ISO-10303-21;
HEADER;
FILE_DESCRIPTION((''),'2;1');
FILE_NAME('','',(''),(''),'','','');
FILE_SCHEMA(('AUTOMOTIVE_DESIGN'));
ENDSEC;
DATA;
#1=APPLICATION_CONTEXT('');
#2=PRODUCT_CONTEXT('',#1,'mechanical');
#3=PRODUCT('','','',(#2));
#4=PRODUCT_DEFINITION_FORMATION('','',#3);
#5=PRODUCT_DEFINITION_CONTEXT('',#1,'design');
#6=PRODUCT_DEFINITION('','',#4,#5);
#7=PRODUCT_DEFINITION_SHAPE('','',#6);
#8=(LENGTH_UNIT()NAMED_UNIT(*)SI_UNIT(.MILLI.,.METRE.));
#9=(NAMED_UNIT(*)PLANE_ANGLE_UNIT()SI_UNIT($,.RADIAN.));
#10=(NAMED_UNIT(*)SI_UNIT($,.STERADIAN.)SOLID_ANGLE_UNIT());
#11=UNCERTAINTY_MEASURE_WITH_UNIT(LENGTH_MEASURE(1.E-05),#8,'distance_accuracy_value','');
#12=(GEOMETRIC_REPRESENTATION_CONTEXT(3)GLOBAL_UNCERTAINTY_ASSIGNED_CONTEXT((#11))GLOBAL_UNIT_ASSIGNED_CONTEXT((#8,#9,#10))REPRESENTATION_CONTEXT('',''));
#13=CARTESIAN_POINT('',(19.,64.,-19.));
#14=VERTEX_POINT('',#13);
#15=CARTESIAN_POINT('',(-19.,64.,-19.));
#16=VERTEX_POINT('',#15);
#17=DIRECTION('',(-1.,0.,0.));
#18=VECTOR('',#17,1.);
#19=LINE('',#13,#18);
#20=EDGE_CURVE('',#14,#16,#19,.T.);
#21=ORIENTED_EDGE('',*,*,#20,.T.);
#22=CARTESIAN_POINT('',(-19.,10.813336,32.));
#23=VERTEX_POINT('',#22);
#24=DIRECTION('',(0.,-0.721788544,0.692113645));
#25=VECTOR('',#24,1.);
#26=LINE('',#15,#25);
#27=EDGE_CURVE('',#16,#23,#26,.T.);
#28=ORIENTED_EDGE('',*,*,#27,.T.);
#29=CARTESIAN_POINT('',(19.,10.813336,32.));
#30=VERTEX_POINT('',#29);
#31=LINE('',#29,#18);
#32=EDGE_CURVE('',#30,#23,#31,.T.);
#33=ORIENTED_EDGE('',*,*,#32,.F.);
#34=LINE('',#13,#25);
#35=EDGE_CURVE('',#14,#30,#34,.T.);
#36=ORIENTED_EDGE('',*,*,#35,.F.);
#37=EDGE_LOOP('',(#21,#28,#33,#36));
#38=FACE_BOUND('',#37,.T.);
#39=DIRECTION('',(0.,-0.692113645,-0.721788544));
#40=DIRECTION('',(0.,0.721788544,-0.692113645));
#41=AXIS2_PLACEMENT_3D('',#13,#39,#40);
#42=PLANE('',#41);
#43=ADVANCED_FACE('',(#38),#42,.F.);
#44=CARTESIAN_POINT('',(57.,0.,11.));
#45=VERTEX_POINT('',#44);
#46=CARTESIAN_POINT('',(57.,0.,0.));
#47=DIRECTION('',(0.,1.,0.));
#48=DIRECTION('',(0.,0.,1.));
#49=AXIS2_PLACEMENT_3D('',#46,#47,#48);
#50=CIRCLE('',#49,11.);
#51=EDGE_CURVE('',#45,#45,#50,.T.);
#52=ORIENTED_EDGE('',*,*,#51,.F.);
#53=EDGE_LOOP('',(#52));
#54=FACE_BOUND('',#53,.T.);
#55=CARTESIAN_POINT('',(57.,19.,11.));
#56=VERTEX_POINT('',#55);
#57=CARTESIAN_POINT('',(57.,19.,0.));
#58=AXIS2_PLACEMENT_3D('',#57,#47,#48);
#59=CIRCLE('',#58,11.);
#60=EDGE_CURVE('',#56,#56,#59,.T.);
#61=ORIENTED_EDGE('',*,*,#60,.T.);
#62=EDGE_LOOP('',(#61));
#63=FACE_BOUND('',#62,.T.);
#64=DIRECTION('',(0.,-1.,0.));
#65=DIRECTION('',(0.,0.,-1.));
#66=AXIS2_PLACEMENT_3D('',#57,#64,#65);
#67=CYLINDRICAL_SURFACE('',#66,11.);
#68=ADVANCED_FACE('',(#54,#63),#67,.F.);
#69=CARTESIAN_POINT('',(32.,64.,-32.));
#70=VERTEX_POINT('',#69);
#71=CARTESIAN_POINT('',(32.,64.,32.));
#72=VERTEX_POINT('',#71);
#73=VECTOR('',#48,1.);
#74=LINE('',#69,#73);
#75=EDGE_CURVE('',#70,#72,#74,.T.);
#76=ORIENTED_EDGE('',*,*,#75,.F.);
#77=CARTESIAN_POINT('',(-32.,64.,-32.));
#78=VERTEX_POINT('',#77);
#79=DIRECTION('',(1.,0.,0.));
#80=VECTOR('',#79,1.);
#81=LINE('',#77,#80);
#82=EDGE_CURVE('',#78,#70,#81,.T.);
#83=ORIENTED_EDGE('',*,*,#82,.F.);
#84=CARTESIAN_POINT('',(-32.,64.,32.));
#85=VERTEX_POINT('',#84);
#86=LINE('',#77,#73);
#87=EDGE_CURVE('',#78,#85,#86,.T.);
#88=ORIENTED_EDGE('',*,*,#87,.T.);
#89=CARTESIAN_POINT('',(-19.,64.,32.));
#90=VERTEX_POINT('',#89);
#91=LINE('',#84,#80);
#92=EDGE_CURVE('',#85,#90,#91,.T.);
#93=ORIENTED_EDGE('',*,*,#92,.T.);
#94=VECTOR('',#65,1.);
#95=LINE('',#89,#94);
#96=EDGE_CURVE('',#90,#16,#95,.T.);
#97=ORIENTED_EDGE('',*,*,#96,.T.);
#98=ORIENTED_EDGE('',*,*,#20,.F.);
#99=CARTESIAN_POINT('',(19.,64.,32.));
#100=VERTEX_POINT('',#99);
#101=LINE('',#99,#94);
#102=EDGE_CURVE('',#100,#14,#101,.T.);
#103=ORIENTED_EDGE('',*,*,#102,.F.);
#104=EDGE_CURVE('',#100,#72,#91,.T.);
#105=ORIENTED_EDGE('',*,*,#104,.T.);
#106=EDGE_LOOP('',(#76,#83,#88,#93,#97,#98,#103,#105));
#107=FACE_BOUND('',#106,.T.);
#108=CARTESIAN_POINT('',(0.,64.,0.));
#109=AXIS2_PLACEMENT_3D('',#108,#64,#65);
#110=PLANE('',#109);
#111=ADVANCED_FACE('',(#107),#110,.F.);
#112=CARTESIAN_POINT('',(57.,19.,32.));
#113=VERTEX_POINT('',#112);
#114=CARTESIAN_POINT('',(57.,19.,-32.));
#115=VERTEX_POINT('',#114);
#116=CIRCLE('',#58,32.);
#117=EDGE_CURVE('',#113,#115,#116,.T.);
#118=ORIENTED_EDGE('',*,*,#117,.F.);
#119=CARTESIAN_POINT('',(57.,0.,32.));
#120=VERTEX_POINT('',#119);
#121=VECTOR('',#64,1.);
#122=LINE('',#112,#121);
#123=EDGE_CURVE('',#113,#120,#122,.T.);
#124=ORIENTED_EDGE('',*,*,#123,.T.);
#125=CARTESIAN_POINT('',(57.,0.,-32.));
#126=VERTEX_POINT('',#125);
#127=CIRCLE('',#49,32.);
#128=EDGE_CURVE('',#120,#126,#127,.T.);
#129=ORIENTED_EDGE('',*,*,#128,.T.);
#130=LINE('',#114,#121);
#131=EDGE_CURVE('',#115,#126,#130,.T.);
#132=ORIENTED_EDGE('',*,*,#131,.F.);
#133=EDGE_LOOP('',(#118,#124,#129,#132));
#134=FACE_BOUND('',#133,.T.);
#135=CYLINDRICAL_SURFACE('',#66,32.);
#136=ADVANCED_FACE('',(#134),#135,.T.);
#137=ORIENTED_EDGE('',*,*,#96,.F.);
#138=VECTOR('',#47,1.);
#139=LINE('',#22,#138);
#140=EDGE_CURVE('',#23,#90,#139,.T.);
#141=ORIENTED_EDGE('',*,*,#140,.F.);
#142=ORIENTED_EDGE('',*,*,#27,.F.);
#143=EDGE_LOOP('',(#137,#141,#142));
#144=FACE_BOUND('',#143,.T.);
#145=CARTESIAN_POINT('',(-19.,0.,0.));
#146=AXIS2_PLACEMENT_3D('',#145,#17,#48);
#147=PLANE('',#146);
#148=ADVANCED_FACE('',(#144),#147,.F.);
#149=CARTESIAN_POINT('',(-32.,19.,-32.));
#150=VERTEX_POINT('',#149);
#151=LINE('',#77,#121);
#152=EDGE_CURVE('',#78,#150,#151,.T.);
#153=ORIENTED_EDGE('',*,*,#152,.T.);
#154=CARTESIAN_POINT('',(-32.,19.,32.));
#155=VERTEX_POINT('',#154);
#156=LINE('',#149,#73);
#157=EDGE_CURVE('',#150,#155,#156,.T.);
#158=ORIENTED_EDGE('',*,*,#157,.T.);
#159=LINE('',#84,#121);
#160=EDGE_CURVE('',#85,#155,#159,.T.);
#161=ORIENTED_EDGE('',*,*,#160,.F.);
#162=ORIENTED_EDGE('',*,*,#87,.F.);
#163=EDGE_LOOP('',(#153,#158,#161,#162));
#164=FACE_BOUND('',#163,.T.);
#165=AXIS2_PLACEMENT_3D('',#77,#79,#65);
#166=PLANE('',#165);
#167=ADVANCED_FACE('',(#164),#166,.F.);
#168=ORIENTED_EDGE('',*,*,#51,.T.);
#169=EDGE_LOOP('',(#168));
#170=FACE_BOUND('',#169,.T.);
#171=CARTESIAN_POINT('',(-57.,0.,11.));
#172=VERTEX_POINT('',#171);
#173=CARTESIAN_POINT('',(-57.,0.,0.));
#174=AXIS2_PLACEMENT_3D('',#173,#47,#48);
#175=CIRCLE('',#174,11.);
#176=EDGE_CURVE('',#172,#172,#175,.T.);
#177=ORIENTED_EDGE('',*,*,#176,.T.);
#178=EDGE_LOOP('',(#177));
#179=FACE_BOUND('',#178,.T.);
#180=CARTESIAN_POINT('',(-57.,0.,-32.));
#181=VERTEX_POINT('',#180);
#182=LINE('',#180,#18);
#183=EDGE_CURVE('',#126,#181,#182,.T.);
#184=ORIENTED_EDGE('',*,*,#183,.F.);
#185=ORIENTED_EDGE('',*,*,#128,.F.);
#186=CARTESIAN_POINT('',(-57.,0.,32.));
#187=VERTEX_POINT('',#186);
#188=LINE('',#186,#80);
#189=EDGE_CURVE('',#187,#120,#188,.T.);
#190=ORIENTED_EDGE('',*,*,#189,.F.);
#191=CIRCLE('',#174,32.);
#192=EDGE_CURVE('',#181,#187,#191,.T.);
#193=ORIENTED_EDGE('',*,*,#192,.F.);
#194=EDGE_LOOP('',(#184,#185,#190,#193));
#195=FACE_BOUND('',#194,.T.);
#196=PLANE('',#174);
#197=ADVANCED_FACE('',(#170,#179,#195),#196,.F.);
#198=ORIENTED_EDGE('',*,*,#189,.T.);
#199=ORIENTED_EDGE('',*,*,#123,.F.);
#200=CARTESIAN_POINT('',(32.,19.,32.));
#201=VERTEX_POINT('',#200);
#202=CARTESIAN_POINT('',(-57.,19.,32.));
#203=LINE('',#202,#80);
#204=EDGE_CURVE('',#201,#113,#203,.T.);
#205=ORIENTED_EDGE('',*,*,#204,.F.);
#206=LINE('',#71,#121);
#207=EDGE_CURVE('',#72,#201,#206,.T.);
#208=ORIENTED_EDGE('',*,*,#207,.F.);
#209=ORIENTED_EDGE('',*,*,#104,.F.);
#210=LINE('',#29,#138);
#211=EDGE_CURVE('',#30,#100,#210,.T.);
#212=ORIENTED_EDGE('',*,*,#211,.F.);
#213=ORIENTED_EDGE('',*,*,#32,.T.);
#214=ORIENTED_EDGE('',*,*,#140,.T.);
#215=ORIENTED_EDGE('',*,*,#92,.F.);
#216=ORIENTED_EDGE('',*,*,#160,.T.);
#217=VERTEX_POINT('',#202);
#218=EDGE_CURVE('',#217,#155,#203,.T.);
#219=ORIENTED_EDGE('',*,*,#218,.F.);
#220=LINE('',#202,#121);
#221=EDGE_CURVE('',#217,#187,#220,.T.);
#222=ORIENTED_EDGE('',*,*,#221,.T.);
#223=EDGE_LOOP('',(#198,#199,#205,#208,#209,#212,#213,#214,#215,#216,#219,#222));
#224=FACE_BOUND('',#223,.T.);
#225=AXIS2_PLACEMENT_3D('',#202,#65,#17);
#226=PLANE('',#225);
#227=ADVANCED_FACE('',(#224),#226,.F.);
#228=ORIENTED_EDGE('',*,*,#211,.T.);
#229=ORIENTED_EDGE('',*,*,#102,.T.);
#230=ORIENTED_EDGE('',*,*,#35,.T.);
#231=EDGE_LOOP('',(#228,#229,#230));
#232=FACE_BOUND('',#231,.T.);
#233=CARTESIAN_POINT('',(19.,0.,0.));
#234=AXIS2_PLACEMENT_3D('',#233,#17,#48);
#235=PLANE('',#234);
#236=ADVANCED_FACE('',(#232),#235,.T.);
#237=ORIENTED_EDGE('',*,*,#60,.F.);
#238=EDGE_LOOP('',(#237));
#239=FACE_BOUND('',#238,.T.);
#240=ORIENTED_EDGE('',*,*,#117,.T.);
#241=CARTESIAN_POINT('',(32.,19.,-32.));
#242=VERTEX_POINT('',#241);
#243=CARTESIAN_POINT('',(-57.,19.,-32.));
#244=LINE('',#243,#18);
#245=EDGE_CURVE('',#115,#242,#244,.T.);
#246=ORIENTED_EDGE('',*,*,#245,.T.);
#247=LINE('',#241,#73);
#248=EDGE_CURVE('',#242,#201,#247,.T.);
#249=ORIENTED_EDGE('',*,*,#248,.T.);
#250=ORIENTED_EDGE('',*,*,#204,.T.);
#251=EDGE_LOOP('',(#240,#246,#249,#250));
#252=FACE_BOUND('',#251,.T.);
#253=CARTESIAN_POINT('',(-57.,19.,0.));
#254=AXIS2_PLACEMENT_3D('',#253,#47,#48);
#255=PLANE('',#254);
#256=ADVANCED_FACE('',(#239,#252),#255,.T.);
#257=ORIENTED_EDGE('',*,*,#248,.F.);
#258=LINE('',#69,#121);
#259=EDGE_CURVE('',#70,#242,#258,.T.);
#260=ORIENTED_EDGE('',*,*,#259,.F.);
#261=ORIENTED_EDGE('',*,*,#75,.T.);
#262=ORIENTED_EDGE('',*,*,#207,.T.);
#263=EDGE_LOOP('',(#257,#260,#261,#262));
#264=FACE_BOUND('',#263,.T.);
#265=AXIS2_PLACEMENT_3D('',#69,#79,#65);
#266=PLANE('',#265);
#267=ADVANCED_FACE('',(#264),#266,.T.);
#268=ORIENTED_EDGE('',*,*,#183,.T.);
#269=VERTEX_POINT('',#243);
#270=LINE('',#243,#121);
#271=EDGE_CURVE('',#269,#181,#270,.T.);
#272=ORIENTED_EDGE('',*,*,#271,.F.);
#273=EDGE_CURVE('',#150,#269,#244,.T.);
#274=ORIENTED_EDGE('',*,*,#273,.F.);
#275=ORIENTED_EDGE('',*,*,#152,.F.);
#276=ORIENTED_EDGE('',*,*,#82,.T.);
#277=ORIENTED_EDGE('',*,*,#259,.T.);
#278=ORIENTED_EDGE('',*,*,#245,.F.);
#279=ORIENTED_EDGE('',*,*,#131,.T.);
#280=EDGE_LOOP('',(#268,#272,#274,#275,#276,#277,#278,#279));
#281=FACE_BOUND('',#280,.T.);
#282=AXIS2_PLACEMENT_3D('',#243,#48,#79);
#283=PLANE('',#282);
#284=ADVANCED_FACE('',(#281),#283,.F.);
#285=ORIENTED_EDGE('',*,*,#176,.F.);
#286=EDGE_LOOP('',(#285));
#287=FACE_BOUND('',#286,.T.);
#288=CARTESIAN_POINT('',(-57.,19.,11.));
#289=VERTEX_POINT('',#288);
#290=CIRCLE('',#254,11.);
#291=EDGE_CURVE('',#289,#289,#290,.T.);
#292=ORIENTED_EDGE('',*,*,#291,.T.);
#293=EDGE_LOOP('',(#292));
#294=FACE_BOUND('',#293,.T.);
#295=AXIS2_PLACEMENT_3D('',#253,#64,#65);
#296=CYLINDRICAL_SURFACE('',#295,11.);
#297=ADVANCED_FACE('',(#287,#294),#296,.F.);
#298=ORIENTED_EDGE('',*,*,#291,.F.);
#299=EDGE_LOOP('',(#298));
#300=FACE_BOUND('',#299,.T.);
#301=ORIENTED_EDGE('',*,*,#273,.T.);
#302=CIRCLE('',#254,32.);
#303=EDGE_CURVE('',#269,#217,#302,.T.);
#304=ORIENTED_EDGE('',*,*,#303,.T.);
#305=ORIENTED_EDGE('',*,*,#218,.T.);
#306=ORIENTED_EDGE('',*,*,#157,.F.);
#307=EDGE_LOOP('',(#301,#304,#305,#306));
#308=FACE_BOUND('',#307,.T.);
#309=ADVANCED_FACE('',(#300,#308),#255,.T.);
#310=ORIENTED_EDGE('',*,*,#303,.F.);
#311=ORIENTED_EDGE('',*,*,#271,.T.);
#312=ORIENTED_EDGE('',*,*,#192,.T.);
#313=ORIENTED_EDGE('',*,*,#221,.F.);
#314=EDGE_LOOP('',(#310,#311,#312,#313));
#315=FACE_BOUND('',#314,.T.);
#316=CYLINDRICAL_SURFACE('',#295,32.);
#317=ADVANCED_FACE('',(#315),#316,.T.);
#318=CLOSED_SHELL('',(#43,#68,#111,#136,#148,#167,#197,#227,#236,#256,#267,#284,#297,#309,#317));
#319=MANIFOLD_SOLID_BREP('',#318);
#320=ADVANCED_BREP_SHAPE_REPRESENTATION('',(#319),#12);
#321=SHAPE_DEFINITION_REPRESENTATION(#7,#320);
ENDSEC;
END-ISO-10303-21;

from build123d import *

# Parameters (mm, degrees)
SKETCH2_R           = 11
BOSS_EXTRUDE4_DEPTH = 19
SKETCH3_W           = 64
SKETCH3_H           = 64
BOSS_EXTRUDE5_DEPTH = 45
CUT_EXTRUDE1_START  = -13
CUT_EXTRUDE1_DEPTH  = 38


with BuildPart() as part:
    # Sketch2 → Boss-Extrude4 (new body)
    with BuildSketch(Plane(origin=(0, 0, 0), x_dir=(1, 0, 0), z_dir=(0, 1, 0))):
        with BuildLine():
            Line((-57, 32), (57, 32))
            ThreePointArc((57, 32), (89, 0), (57, -32))
            Line((57, -32), (-57, -32))
            ThreePointArc((-57, -32), (-89, 0), (-57, 32))
        make_face()
        with Locations(Location((-57, 0, 0), (0, 0, 270))):
            Circle(SKETCH2_R, mode=Mode.SUBTRACT)
        with Locations(Location((57, 0, 0), (0, 0, 270))):
            Circle(SKETCH2_R, mode=Mode.SUBTRACT)
    extrude(amount=BOSS_EXTRUDE4_DEPTH)

    # Sketch3 → Boss-Extrude5 (add)
    with BuildSketch(Plane(origin=(0, 19, 0), x_dir=(1, 0, 0), z_dir=(0, 1, 0))):
        Rectangle(SKETCH3_W, SKETCH3_H)
    extrude(amount=BOSS_EXTRUDE5_DEPTH)

    # Sketch6 → Cut-Extrude1 (cut)
    with BuildSketch(Plane.ZY.offset(32).offset(CUT_EXTRUDE1_START)):
        Polygon((-19, 64), (32, 10.813336164), (32, 64), align=None)
    extrude(amount=-CUT_EXTRUDE1_DEPTH, mode=Mode.SUBTRACT)


solid = part.part
